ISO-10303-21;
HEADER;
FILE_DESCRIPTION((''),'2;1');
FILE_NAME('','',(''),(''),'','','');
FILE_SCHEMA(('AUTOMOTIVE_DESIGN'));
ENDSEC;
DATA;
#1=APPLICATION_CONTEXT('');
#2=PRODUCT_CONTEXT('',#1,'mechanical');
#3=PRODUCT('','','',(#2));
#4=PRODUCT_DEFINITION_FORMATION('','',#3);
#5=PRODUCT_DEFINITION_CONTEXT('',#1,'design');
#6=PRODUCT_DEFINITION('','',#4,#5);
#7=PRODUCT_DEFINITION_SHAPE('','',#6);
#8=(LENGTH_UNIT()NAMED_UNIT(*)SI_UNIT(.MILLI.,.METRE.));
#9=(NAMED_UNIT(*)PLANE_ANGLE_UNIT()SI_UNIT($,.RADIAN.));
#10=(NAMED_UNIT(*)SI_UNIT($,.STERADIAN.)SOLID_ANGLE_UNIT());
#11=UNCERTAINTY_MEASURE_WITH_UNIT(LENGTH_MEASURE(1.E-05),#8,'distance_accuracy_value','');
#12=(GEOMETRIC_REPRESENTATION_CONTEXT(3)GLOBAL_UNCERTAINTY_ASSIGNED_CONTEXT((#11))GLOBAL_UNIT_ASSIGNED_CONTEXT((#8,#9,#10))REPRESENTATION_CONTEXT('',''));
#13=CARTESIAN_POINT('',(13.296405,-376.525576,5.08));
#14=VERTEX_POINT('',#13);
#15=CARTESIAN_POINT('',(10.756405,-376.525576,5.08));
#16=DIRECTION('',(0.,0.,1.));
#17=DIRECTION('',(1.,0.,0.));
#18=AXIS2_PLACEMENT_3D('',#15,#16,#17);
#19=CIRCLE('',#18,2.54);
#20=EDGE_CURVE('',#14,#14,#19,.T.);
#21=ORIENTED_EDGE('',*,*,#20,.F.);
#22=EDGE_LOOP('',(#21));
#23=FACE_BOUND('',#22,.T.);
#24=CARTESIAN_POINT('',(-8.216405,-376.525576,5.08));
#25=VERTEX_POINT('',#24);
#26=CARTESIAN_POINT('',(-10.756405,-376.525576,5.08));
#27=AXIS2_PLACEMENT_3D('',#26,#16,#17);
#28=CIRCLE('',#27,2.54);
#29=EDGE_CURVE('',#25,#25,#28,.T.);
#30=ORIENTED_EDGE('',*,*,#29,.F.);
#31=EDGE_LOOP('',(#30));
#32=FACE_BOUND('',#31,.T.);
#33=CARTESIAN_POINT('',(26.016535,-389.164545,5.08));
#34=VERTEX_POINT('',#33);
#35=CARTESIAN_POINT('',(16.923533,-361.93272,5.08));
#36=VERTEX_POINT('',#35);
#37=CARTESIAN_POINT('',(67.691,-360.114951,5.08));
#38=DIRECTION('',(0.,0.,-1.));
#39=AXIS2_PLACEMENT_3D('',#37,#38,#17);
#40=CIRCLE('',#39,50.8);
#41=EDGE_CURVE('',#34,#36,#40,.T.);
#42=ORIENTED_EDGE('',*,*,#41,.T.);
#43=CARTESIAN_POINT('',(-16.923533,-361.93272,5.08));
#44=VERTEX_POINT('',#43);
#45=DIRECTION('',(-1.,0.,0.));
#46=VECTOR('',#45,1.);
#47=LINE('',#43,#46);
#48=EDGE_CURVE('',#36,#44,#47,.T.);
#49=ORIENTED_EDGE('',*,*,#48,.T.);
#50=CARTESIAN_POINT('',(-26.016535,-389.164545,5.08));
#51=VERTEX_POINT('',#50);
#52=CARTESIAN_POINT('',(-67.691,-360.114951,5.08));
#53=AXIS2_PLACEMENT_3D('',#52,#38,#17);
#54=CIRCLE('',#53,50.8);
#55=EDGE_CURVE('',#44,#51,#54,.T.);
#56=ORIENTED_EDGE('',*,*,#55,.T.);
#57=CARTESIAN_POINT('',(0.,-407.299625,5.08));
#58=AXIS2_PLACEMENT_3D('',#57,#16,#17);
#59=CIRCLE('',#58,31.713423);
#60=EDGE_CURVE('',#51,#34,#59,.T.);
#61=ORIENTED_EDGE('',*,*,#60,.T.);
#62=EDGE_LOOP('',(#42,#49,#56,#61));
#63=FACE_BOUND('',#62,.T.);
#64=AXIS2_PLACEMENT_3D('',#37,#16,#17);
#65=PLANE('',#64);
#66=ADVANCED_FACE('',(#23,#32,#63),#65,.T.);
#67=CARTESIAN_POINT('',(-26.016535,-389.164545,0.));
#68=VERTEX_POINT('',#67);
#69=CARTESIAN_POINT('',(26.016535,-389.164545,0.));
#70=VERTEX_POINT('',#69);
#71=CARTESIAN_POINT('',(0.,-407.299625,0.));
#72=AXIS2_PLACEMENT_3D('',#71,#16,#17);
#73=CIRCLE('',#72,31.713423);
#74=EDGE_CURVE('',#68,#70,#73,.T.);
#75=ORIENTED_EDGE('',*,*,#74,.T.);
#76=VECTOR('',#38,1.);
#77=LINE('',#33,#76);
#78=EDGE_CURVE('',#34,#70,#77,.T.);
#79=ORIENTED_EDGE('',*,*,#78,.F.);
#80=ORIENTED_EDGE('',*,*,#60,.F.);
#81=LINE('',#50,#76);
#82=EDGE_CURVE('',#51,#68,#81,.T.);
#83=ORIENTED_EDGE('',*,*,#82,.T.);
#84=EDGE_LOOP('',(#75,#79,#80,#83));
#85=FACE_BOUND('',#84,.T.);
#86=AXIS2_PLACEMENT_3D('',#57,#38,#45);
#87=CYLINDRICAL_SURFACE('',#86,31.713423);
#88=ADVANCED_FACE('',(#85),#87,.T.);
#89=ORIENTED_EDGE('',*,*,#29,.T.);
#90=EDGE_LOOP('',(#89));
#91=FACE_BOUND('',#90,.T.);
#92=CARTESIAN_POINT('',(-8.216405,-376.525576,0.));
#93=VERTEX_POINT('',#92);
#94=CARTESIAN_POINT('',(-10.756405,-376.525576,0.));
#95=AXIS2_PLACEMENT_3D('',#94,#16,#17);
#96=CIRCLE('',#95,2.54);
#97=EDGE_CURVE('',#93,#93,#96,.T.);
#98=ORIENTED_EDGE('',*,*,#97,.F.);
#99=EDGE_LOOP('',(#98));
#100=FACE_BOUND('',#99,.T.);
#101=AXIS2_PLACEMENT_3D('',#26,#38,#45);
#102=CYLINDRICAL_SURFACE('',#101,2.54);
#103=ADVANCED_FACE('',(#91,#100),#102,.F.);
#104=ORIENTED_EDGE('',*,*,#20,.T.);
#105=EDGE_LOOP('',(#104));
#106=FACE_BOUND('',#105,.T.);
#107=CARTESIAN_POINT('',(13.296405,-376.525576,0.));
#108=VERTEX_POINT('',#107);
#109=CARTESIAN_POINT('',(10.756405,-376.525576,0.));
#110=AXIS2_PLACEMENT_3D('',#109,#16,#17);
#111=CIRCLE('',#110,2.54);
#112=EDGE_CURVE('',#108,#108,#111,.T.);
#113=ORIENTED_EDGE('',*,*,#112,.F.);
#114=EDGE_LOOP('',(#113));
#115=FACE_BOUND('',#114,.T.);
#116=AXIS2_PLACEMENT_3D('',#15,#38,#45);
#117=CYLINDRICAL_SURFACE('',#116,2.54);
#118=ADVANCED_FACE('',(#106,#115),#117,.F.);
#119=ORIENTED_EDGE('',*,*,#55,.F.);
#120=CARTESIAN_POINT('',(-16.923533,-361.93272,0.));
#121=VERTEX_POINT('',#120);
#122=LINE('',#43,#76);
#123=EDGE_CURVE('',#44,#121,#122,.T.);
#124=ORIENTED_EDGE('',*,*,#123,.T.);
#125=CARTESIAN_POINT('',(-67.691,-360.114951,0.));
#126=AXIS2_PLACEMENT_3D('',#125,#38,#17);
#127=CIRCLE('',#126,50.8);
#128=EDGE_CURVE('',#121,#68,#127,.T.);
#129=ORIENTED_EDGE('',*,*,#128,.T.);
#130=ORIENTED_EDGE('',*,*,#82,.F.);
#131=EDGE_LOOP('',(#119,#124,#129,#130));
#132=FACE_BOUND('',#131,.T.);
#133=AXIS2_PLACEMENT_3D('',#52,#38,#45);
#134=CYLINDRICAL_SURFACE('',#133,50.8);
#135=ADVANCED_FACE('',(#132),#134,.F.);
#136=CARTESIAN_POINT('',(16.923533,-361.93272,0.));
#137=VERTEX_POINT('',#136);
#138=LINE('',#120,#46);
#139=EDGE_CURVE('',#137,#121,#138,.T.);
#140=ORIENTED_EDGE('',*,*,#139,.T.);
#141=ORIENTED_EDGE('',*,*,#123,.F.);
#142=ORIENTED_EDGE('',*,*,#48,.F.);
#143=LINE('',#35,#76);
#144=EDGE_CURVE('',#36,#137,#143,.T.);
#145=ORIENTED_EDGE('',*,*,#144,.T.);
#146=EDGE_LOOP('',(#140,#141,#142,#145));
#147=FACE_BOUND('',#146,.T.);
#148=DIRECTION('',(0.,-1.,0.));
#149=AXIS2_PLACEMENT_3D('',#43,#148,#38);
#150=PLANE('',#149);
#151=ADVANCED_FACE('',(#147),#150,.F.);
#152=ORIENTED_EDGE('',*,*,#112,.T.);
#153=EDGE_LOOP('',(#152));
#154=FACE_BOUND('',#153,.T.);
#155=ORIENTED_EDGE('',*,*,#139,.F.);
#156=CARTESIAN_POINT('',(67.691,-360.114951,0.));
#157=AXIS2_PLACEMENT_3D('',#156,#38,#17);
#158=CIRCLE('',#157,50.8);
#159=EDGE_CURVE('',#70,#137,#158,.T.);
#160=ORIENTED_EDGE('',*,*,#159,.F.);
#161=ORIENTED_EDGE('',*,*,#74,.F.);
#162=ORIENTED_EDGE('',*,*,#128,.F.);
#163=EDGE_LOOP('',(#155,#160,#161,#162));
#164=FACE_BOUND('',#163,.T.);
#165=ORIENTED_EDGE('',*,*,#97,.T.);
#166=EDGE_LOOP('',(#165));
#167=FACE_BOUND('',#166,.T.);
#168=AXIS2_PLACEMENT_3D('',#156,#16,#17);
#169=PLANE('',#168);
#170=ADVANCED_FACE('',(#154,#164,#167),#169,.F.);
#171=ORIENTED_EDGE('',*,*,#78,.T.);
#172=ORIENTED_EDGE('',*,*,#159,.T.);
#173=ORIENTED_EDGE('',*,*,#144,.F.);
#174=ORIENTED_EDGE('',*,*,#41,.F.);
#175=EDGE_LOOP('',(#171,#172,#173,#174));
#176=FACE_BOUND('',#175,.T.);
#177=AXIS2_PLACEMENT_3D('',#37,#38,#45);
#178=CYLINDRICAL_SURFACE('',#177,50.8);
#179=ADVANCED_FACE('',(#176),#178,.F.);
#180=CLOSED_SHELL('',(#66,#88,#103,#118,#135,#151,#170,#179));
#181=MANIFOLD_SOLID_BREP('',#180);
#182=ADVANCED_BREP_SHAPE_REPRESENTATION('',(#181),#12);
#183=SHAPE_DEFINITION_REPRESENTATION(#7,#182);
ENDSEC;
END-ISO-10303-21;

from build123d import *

# Parameters (mm, degrees)
SKETCH1_R           = 2.54
BOSS_EXTRUDE1_DEPTH = 5.08


with BuildPart() as part:
    # Sketch1 → Boss-Extrude1 (new body)
    with BuildSketch(Plane.XY):
        with BuildLine():
            Line((-16.923532905, -361.932719801), (16.923532905, -361.932719801))
            ThreePointArc((16.923532905, -361.932719801), (19.506243092, -376.204363349), (26.016534546, -389.164544931))
            ThreePointArc((26.016534546, -389.164544931), (0, -439.01304823), (-26.016534546, -389.164544931))
            ThreePointArc((-26.016534546, -389.164544931), (-19.506243092, -376.204363349), (-16.923532905, -361.932719801))
        make_face()
        with Locations((-10.756405179, -376.525575709)):
            Circle(SKETCH1_R, mode=Mode.SUBTRACT)
        with Locations((10.756405179, -376.525575709)):
            Circle(SKETCH1_R, mode=Mode.SUBTRACT)
    extrude(amount=BOSS_EXTRUDE1_DEPTH)


solid = part.part
